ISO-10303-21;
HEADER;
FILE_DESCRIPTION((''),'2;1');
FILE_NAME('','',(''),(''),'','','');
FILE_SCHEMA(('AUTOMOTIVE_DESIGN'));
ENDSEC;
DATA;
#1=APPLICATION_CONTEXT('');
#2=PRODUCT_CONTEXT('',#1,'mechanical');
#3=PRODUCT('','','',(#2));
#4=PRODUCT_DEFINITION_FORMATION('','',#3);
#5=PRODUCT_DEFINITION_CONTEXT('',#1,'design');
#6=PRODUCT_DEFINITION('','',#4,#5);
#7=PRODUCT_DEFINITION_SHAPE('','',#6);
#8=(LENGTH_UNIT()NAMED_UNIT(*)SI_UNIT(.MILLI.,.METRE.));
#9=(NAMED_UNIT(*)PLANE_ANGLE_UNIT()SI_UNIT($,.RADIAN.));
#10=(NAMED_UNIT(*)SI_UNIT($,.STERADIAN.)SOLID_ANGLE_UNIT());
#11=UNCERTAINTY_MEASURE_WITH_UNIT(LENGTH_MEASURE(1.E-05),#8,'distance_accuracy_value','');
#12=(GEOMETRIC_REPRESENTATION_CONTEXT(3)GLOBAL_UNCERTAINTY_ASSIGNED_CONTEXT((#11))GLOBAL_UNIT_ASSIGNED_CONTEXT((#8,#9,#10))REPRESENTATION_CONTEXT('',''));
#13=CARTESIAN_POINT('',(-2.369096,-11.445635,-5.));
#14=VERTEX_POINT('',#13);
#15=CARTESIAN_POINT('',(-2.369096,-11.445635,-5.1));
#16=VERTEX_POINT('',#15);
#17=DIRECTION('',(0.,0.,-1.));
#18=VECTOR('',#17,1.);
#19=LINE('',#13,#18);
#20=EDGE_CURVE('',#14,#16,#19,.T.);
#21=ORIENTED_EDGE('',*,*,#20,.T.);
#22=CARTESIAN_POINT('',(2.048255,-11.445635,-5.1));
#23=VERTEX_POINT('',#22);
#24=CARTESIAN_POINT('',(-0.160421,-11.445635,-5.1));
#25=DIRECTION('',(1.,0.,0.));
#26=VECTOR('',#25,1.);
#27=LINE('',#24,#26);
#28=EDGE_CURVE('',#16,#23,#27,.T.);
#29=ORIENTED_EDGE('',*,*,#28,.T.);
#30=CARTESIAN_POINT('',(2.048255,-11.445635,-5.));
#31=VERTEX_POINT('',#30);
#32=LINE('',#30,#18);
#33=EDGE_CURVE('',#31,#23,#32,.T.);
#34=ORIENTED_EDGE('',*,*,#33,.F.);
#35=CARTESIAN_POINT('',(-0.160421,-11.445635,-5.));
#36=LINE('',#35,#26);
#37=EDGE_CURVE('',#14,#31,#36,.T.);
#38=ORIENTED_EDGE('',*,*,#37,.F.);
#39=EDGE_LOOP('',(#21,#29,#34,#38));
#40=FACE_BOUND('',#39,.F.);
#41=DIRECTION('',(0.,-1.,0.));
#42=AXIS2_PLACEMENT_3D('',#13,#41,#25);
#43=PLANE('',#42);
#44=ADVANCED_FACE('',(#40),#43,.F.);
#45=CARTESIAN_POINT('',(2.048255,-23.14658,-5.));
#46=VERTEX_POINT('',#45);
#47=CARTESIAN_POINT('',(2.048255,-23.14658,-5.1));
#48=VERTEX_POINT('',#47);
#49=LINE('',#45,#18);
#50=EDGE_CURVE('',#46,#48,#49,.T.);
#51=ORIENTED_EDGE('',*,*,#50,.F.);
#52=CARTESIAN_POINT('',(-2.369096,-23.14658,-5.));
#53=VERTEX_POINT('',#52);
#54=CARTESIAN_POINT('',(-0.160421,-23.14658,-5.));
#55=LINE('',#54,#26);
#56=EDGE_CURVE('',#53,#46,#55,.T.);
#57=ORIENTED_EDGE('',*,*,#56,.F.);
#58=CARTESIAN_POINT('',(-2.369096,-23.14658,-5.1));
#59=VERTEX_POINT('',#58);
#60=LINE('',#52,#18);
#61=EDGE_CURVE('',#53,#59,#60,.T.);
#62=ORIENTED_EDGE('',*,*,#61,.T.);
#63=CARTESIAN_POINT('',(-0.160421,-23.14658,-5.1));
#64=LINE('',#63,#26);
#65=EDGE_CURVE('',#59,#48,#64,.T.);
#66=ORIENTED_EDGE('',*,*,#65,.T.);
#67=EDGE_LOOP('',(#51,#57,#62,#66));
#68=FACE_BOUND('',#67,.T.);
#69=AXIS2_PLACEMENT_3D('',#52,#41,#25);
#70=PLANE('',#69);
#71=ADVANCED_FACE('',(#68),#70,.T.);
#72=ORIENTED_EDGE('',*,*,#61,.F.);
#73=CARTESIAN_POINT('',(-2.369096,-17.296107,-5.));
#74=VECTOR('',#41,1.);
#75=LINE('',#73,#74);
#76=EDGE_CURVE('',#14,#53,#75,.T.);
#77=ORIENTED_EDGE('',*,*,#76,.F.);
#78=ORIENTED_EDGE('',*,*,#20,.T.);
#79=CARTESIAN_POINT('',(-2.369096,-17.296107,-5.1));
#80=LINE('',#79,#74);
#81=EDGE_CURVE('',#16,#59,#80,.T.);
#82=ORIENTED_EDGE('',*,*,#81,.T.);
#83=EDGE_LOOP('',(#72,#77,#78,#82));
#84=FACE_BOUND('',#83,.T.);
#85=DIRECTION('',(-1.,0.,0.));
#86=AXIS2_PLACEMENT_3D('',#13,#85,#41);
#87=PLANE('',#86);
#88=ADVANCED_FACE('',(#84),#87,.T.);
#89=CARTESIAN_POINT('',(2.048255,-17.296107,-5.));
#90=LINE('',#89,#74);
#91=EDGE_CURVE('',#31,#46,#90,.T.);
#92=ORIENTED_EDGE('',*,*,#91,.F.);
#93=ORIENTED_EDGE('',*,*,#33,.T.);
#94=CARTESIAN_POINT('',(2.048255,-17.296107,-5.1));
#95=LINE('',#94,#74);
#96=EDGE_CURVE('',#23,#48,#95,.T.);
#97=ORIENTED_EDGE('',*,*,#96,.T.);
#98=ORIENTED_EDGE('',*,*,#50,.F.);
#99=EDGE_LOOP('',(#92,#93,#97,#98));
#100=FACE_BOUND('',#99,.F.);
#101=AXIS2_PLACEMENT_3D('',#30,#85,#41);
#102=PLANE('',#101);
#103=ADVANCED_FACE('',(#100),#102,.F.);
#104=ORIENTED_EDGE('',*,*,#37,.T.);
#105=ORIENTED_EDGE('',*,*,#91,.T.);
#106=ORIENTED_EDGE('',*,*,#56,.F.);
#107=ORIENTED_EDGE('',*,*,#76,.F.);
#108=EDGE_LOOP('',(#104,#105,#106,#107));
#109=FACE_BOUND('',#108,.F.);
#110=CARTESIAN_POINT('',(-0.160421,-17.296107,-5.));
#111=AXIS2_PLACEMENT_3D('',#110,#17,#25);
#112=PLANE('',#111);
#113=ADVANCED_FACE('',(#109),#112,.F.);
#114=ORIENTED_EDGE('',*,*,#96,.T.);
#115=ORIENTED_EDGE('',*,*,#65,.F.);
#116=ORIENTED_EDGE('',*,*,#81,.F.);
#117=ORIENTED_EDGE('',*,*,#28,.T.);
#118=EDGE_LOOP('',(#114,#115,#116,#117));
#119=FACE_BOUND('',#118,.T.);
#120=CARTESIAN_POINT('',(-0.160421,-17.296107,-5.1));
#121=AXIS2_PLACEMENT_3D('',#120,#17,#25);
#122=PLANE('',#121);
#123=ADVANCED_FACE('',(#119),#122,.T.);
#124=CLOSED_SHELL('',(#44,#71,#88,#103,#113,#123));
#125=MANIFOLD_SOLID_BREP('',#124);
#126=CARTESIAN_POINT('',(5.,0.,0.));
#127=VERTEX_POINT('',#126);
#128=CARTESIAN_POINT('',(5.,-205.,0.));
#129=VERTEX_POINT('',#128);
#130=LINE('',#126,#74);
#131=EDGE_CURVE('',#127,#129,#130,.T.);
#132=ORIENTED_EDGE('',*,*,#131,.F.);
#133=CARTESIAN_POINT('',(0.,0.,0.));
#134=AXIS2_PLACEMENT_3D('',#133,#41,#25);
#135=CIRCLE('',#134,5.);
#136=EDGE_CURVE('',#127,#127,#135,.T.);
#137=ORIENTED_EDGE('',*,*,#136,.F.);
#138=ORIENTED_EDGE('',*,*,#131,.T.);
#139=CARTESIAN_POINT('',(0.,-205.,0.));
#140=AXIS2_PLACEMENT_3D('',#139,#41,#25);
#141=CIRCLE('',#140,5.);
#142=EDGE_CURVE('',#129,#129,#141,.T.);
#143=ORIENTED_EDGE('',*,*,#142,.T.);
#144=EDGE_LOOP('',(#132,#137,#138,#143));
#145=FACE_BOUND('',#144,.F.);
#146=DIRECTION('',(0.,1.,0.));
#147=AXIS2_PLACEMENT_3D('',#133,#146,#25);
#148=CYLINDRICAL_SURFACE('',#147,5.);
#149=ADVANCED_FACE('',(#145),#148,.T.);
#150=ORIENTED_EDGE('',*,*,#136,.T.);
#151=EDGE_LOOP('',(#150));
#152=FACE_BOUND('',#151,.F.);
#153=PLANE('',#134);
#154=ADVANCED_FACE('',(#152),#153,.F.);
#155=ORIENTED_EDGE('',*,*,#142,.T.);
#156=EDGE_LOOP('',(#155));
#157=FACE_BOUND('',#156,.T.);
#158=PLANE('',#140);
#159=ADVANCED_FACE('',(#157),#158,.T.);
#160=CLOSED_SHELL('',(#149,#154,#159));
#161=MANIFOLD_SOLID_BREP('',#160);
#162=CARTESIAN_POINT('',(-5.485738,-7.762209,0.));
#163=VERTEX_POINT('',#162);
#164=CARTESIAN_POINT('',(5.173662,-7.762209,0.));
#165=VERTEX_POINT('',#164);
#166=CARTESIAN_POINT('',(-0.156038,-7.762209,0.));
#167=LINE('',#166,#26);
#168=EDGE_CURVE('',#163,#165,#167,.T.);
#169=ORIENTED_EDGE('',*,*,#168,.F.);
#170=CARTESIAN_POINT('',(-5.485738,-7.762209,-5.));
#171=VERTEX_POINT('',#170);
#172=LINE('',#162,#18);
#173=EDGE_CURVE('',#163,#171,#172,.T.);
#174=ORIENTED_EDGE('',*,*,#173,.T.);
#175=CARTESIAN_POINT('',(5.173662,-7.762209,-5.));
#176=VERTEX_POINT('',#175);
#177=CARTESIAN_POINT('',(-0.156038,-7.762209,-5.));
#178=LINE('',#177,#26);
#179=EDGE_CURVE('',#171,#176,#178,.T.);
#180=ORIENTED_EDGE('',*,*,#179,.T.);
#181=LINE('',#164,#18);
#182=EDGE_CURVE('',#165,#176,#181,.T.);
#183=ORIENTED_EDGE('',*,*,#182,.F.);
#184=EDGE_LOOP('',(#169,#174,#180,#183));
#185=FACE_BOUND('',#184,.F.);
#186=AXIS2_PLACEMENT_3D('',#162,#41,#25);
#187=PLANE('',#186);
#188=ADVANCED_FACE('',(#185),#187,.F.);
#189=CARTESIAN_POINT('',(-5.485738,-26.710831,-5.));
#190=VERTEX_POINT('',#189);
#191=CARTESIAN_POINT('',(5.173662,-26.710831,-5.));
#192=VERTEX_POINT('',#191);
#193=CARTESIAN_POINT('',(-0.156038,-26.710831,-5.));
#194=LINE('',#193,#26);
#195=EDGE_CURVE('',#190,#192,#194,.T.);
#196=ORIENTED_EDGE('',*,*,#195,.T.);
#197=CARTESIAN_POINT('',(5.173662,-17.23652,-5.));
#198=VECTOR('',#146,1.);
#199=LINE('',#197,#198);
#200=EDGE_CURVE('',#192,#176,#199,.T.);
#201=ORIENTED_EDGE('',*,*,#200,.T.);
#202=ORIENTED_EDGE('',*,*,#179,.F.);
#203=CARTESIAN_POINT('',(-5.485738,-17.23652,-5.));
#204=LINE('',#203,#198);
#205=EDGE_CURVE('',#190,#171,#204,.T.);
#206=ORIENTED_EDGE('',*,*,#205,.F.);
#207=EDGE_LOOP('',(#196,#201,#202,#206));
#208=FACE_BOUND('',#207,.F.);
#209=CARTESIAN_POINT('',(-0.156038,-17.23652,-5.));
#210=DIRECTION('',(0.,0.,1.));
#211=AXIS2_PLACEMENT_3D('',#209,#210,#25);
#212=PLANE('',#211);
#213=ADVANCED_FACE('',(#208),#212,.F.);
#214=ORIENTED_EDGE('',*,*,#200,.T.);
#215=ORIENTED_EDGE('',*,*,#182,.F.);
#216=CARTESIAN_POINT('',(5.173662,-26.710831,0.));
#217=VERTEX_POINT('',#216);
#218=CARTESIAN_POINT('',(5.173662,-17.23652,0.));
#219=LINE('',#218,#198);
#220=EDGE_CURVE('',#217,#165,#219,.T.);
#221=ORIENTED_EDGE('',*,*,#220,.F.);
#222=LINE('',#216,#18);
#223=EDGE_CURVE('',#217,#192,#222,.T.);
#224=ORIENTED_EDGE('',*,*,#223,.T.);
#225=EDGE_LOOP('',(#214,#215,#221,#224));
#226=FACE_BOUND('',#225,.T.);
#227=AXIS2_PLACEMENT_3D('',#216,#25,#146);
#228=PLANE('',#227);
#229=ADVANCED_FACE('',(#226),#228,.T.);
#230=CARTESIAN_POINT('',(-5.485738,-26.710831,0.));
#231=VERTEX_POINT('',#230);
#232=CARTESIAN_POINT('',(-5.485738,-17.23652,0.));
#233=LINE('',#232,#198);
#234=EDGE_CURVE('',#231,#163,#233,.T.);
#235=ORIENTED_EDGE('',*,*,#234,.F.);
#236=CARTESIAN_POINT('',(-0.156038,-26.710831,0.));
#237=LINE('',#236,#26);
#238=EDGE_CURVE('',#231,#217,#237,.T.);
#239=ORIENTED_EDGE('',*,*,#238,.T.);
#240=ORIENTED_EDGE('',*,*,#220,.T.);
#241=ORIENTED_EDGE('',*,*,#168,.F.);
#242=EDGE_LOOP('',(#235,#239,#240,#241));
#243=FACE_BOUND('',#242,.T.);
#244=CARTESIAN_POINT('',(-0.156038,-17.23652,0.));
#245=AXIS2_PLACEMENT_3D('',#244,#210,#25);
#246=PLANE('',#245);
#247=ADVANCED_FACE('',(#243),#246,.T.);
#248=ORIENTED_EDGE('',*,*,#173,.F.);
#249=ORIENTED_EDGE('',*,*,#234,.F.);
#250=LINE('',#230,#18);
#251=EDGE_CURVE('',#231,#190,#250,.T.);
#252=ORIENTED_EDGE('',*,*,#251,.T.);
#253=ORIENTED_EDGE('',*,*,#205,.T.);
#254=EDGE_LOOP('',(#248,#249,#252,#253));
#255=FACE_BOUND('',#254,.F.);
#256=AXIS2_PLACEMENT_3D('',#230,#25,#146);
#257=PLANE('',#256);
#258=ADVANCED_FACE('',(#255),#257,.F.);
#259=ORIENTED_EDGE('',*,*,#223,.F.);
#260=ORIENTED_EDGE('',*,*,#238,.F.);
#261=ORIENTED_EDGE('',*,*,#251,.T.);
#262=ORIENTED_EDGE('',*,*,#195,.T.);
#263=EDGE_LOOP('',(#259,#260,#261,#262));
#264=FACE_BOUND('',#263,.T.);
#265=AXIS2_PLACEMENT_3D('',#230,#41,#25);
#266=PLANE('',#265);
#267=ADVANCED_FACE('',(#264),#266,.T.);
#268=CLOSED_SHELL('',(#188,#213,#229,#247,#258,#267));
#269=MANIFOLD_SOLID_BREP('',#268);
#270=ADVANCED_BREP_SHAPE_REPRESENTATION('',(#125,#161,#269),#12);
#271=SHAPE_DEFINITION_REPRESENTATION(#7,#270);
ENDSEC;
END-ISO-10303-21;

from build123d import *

# Parameters (mm, degrees)
F4_R     = 5
F0_DEPTH = 205
F1_W     = 10.6594
F1_H     = 18.948621
F2_DEPTH = 5
F3_W     = 4.417351
F3_H     = 11.700945
F5_DEPTH = 0.1


with BuildPart() as f0:
    # F4 (on Front) → F0 (new body)
    with BuildSketch(Plane.XZ):
        Circle(F4_R)
    extrude(amount=F0_DEPTH)


with BuildPart() as f2:
    # F1 (on Top) → F2 (new body)
    with BuildSketch(Plane.XY):
        with Locations((-0.156038, -17.23652)):
            Rectangle(F1_W, F1_H)
    extrude(amount=-F2_DEPTH)


with BuildPart() as f5:
    # F3 (on face) → F5 (new body)
    with BuildSketch(Plane(origin=(0, 0, -5), x_dir=(1, 0, 0), z_dir=(0, 0, -1))):
        with Locations((-0.160421, 17.296107)):
            Rectangle(F3_W, F3_H)
    extrude(amount=F5_DEPTH)


solid = Compound([f0.part, f2.part, f5.part])
